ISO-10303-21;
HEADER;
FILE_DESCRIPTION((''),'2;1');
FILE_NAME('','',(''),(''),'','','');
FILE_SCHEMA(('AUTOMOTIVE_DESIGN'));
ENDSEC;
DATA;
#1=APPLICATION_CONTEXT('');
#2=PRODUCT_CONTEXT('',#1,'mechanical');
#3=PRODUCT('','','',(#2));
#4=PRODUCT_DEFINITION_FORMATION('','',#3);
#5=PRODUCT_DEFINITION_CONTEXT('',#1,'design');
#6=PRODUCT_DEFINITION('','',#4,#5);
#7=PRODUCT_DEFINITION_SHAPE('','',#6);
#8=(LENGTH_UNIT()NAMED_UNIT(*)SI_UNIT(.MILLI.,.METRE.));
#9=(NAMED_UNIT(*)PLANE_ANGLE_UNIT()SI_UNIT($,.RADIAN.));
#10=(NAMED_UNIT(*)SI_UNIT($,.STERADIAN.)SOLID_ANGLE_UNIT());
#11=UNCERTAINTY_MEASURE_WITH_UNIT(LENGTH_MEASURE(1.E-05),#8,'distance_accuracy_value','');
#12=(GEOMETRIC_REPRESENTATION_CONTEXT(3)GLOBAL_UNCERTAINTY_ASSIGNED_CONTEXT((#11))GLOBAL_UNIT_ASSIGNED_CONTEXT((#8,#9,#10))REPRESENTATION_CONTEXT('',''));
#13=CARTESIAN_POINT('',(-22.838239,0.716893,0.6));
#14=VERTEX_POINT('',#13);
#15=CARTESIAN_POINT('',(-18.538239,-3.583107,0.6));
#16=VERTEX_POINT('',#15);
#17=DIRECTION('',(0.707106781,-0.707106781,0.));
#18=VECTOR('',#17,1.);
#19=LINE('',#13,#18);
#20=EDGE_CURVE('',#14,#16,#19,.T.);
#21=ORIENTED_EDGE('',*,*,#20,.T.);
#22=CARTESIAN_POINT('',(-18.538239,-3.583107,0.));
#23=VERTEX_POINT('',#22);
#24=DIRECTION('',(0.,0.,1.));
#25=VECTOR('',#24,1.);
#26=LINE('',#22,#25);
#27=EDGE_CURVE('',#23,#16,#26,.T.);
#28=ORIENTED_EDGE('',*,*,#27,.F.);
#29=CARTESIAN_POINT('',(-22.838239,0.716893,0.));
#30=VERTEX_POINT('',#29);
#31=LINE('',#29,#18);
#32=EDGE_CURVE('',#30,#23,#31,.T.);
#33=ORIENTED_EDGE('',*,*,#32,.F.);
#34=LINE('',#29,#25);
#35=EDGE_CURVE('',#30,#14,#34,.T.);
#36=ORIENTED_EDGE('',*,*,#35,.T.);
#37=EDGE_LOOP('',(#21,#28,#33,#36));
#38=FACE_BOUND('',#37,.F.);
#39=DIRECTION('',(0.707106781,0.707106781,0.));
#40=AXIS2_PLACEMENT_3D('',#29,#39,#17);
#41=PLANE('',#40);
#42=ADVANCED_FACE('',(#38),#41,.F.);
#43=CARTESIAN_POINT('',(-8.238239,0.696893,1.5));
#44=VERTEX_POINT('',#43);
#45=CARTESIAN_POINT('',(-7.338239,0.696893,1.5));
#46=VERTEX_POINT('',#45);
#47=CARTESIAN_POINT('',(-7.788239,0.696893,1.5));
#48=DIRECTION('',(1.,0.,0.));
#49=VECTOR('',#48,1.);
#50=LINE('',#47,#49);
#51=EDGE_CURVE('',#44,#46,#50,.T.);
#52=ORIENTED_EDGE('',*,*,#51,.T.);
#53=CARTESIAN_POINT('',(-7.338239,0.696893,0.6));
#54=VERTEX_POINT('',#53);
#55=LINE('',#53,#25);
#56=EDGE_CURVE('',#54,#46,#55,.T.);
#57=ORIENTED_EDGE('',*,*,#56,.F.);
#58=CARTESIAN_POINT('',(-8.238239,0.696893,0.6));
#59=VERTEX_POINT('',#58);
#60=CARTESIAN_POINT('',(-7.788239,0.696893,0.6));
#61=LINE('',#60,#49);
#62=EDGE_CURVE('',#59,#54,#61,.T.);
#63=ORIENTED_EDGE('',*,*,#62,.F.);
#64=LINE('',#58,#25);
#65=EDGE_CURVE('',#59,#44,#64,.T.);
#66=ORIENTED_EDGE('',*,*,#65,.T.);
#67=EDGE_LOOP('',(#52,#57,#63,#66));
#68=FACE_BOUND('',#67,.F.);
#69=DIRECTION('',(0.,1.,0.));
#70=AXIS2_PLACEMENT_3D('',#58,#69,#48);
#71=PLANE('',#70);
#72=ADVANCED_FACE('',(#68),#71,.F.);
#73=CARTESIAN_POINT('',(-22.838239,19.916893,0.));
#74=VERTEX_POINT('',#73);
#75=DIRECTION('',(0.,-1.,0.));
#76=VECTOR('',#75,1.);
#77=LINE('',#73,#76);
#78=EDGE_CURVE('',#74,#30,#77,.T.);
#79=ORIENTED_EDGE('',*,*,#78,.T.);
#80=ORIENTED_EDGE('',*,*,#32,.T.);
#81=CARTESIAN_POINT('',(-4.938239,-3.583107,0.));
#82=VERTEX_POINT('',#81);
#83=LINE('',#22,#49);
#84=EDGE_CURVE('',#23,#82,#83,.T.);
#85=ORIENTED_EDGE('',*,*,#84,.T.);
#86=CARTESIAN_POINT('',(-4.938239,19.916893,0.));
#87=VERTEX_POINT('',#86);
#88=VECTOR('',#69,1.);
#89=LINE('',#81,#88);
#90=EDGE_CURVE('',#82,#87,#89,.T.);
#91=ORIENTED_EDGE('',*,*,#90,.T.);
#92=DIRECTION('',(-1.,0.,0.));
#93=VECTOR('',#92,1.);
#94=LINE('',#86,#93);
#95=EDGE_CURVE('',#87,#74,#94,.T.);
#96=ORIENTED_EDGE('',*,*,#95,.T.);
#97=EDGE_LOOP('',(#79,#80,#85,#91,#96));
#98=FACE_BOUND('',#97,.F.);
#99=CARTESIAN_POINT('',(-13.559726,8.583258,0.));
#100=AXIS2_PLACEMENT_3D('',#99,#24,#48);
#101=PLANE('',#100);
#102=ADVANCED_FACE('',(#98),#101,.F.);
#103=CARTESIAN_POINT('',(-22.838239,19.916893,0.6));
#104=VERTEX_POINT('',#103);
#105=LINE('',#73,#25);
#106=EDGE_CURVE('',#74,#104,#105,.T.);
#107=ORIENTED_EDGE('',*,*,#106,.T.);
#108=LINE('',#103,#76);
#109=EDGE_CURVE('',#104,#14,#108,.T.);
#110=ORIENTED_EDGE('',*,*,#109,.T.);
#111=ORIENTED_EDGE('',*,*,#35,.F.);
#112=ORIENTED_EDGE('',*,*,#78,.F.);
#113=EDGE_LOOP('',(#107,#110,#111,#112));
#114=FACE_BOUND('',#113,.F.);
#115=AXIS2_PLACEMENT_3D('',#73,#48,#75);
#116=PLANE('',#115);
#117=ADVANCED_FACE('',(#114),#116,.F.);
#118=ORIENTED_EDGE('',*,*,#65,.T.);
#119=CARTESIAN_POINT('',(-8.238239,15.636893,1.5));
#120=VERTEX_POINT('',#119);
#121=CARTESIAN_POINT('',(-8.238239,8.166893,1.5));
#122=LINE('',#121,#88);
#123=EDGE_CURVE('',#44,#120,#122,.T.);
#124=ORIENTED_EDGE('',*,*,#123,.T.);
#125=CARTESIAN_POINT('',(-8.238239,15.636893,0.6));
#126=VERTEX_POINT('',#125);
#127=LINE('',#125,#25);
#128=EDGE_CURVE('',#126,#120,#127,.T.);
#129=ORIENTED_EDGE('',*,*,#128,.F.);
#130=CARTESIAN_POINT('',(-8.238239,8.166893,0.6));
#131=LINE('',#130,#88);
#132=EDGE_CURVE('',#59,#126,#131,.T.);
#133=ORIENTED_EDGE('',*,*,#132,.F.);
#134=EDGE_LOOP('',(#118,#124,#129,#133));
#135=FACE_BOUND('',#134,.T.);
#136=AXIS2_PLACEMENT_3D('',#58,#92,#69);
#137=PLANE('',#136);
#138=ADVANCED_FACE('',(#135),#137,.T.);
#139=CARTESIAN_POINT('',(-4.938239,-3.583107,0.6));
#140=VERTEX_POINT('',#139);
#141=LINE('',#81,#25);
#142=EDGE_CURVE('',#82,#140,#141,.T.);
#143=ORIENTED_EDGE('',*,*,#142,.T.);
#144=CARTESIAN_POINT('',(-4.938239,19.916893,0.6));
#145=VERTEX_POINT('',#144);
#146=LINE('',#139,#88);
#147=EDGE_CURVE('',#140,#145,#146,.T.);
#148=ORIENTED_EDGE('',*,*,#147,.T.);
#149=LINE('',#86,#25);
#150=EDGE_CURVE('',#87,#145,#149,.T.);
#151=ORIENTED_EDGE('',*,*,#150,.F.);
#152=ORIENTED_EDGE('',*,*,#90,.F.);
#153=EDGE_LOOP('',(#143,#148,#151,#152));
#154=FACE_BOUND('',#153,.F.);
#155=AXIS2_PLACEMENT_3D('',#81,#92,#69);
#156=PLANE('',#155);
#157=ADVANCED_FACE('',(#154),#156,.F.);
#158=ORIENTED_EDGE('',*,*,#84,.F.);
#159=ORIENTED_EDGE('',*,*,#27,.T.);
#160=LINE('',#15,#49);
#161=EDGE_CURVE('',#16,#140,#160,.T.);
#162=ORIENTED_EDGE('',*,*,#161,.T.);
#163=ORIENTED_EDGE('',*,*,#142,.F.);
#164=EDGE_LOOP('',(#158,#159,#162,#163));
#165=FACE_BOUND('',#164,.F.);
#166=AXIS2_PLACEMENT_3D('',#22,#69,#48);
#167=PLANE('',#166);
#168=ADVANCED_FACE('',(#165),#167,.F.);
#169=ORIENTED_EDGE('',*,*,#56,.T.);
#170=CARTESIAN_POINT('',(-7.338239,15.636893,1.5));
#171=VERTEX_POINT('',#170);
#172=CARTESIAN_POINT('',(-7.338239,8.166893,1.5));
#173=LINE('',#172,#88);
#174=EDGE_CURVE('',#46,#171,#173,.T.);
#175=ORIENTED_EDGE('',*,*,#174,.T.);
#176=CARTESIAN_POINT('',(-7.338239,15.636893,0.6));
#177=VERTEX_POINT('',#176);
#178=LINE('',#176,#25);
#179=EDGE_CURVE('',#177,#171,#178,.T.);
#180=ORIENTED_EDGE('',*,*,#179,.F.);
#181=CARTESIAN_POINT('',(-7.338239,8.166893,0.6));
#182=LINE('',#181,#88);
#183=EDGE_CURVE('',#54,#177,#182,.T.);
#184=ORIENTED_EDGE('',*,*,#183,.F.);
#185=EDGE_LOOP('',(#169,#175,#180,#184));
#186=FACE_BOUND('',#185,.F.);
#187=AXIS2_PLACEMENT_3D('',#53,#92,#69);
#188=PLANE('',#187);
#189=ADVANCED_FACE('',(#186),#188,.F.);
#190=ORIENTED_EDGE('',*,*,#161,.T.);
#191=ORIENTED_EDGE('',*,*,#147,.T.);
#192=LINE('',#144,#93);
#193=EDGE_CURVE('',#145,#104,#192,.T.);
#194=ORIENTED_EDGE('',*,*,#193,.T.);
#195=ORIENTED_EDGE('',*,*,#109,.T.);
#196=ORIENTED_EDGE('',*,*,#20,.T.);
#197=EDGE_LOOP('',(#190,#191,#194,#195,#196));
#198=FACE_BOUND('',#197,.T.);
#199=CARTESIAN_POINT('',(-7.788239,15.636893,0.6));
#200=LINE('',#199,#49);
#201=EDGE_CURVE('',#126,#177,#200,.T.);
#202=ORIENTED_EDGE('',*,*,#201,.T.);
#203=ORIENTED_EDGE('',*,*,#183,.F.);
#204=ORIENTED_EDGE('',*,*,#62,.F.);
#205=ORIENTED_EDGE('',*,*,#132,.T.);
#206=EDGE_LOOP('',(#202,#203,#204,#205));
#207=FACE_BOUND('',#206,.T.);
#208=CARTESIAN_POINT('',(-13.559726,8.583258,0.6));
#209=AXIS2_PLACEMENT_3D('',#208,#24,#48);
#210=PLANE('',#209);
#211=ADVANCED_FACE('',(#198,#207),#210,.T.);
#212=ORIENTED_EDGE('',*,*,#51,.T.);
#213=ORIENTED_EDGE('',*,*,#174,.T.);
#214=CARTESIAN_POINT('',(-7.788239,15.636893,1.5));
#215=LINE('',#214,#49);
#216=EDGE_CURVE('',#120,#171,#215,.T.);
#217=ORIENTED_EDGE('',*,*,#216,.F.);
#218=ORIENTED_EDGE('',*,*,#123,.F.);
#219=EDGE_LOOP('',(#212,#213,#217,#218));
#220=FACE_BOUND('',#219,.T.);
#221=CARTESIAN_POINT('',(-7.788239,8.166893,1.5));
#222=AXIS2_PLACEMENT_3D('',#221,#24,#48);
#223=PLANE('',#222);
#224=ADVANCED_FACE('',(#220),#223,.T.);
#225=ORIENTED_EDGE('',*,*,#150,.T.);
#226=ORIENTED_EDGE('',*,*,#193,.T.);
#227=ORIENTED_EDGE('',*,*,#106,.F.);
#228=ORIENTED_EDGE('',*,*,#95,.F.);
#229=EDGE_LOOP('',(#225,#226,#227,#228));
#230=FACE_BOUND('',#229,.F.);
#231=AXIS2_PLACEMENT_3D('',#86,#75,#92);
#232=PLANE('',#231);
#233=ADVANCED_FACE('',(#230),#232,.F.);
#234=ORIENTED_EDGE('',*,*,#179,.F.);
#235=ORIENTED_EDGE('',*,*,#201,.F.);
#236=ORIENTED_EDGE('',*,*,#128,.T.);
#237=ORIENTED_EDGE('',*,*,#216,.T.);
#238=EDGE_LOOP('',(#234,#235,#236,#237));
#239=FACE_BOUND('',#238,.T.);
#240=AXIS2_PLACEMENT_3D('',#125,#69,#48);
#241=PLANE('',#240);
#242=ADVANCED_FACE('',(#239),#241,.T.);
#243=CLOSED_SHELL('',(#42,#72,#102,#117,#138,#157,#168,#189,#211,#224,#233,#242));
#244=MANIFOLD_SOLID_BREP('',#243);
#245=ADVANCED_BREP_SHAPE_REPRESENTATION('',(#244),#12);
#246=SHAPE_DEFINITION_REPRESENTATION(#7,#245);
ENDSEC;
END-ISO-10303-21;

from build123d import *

# Parameters (mm, degrees)
F1_DEPTH = 0.6
F2_W     = 0.9
F2_H     = 14.94
F3_DEPTH = 0.9


with BuildPart() as f1:
    # F0 (on Top) → F1 (new body)
    with BuildSketch(Plane.XY):
        Polygon((-4.938239, 19.916893), (-22.838239, 19.916893), (-22.838239, 0.716893), (-18.538239, -3.583107), (-4.938239, -3.583107), align=None)
    extrude(amount=F1_DEPTH)

    # F2 (on face) → F3 (join)
    with BuildSketch(Plane.XY.offset(0.6)):
        with Locations((-7.788239, 8.166893)):
            Rectangle(F2_W, F2_H)
    extrude(amount=F3_DEPTH)


solid = f1.part
